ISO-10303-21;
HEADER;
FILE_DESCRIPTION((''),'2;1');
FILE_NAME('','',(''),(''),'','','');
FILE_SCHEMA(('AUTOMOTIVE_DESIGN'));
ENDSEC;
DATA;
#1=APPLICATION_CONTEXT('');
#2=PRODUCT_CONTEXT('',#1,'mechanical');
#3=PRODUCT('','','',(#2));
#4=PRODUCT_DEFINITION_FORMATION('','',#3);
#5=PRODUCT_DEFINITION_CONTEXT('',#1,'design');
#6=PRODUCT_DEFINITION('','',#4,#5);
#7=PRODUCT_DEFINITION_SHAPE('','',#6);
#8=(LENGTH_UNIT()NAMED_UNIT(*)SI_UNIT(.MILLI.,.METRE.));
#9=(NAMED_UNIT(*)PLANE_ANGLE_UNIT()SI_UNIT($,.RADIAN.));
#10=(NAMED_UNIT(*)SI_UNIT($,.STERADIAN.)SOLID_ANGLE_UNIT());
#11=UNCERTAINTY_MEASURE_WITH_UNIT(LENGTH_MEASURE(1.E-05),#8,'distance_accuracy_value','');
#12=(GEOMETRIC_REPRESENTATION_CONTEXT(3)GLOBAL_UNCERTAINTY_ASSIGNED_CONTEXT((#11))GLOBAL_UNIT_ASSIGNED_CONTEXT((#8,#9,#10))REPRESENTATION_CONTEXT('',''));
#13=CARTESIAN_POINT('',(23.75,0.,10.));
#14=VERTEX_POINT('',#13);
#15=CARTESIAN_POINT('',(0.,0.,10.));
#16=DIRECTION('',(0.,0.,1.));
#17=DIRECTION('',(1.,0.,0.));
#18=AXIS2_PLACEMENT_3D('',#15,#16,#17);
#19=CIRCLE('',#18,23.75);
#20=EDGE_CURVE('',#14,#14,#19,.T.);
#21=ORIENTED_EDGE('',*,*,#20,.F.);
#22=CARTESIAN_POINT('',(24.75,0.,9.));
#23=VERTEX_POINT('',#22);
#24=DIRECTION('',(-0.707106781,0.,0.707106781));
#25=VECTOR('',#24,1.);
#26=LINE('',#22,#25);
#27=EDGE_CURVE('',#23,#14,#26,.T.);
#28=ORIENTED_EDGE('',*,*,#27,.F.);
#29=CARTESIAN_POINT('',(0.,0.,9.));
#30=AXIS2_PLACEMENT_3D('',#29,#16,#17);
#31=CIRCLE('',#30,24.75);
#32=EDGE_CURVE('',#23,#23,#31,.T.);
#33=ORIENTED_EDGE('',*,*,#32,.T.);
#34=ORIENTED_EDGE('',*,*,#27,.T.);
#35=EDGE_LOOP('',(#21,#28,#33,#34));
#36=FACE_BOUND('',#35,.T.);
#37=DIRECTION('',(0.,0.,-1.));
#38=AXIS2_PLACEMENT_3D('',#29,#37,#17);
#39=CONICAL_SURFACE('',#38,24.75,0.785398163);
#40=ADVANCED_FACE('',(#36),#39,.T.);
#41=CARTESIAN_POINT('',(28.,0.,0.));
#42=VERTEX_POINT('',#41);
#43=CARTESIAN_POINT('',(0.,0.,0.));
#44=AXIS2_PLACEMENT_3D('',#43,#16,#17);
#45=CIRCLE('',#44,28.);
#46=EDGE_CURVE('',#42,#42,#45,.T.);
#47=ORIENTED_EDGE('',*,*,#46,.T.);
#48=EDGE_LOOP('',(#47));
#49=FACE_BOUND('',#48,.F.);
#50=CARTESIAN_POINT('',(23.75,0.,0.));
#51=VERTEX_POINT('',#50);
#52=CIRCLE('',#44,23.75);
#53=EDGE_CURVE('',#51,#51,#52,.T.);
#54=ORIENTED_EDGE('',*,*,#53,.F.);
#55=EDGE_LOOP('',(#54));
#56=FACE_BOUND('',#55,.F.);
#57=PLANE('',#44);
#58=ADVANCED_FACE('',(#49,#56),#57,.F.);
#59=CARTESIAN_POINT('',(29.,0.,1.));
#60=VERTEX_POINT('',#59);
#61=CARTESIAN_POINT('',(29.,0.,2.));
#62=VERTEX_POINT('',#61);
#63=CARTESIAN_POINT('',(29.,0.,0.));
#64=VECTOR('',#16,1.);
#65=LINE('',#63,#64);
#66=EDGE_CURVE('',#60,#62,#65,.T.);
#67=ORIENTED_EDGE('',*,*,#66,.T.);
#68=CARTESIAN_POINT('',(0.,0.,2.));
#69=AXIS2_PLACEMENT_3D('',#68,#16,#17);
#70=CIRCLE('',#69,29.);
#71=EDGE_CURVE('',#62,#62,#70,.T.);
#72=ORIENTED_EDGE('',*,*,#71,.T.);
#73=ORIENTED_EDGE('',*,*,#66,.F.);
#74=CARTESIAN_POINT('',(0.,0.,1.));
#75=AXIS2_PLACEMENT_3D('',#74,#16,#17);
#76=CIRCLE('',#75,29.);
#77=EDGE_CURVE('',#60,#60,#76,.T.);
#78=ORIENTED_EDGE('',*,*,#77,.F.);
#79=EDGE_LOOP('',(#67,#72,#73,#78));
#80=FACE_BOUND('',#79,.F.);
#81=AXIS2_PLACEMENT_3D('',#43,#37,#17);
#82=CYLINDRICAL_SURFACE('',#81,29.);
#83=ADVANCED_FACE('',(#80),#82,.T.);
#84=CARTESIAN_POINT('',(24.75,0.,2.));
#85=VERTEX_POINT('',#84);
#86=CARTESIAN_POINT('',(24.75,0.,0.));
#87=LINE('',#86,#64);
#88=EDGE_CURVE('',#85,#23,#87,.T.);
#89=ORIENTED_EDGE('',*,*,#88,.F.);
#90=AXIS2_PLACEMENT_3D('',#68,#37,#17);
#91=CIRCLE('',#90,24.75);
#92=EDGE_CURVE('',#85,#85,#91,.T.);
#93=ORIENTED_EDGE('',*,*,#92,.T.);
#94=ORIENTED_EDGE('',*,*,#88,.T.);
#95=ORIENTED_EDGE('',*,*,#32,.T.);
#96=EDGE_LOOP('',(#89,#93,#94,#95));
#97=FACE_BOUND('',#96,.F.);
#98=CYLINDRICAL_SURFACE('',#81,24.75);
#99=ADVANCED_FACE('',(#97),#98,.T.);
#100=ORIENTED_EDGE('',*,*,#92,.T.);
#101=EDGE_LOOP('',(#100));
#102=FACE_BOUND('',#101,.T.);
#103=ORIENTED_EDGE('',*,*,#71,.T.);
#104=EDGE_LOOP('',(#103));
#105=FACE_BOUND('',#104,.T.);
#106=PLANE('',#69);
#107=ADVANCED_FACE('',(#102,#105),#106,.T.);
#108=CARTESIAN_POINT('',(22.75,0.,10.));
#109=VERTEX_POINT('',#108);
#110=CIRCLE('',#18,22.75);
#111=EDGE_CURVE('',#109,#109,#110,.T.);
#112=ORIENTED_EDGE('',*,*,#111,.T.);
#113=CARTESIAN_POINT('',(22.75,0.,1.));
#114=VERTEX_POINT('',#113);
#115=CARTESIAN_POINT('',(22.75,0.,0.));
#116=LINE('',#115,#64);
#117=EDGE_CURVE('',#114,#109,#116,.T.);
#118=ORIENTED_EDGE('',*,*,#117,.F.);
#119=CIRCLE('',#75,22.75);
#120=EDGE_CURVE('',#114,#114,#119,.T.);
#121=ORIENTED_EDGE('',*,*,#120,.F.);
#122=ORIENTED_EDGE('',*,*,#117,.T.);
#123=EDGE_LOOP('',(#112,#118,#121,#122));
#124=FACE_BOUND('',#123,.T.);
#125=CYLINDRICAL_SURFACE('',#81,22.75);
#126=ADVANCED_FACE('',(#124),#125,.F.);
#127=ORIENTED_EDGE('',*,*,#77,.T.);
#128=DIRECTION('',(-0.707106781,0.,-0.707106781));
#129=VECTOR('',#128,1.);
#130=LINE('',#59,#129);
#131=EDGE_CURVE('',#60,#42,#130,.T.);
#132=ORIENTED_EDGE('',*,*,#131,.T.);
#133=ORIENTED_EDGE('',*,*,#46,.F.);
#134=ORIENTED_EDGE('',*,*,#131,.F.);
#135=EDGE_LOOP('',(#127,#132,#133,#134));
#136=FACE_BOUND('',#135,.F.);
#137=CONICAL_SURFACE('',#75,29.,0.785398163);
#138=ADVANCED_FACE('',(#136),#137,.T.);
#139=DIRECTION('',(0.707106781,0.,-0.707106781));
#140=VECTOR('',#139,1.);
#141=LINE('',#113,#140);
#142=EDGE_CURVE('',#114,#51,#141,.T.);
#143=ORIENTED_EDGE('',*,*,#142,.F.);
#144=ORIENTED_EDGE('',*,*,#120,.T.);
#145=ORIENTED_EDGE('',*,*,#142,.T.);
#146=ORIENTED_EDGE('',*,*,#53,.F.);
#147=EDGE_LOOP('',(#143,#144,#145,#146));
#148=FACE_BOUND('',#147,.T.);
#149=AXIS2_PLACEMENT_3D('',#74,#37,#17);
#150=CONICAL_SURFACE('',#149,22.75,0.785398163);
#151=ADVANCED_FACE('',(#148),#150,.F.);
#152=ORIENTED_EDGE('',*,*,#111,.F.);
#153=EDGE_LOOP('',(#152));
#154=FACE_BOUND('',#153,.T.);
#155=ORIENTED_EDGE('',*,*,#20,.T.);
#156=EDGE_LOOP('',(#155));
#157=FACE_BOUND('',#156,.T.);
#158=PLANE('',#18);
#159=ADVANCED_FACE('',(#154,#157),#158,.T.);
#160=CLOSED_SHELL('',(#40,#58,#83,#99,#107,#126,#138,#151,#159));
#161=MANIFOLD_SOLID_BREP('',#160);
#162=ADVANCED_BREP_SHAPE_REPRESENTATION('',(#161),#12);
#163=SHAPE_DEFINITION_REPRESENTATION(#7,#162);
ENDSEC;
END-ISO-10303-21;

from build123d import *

# Parameters (mm, degrees)
F0_R     = 24.75
F0_R_2   = 22.75
F1_DEPTH = 10
F2_R     = 29
F2_R_2   = 22.75
F3_DEPTH = 2
F4_SIZE  = 1


with BuildPart() as f1:
    # F0 (on Top) → F1 (new body)
    with BuildSketch(Plane.XY):
        Circle(F0_R)
        Circle(F0_R_2, mode=Mode.SUBTRACT)
    extrude(amount=F1_DEPTH)

    # F2 (on Top) → F3 (join)
    with BuildSketch(Plane.XY):
        Circle(F2_R)
        Circle(F2_R_2, mode=Mode.SUBTRACT)
    extrude(amount=F3_DEPTH)

    # F4
    f4_edges = [f1.edges().sort_by_distance(p)[0] for p in [
        (-29, 0, 0),
        (-22.75, 0, 0),
        (-24.75, 0, 10),
    ]]
    chamfer(f4_edges, length=F4_SIZE)


solid = f1.part
